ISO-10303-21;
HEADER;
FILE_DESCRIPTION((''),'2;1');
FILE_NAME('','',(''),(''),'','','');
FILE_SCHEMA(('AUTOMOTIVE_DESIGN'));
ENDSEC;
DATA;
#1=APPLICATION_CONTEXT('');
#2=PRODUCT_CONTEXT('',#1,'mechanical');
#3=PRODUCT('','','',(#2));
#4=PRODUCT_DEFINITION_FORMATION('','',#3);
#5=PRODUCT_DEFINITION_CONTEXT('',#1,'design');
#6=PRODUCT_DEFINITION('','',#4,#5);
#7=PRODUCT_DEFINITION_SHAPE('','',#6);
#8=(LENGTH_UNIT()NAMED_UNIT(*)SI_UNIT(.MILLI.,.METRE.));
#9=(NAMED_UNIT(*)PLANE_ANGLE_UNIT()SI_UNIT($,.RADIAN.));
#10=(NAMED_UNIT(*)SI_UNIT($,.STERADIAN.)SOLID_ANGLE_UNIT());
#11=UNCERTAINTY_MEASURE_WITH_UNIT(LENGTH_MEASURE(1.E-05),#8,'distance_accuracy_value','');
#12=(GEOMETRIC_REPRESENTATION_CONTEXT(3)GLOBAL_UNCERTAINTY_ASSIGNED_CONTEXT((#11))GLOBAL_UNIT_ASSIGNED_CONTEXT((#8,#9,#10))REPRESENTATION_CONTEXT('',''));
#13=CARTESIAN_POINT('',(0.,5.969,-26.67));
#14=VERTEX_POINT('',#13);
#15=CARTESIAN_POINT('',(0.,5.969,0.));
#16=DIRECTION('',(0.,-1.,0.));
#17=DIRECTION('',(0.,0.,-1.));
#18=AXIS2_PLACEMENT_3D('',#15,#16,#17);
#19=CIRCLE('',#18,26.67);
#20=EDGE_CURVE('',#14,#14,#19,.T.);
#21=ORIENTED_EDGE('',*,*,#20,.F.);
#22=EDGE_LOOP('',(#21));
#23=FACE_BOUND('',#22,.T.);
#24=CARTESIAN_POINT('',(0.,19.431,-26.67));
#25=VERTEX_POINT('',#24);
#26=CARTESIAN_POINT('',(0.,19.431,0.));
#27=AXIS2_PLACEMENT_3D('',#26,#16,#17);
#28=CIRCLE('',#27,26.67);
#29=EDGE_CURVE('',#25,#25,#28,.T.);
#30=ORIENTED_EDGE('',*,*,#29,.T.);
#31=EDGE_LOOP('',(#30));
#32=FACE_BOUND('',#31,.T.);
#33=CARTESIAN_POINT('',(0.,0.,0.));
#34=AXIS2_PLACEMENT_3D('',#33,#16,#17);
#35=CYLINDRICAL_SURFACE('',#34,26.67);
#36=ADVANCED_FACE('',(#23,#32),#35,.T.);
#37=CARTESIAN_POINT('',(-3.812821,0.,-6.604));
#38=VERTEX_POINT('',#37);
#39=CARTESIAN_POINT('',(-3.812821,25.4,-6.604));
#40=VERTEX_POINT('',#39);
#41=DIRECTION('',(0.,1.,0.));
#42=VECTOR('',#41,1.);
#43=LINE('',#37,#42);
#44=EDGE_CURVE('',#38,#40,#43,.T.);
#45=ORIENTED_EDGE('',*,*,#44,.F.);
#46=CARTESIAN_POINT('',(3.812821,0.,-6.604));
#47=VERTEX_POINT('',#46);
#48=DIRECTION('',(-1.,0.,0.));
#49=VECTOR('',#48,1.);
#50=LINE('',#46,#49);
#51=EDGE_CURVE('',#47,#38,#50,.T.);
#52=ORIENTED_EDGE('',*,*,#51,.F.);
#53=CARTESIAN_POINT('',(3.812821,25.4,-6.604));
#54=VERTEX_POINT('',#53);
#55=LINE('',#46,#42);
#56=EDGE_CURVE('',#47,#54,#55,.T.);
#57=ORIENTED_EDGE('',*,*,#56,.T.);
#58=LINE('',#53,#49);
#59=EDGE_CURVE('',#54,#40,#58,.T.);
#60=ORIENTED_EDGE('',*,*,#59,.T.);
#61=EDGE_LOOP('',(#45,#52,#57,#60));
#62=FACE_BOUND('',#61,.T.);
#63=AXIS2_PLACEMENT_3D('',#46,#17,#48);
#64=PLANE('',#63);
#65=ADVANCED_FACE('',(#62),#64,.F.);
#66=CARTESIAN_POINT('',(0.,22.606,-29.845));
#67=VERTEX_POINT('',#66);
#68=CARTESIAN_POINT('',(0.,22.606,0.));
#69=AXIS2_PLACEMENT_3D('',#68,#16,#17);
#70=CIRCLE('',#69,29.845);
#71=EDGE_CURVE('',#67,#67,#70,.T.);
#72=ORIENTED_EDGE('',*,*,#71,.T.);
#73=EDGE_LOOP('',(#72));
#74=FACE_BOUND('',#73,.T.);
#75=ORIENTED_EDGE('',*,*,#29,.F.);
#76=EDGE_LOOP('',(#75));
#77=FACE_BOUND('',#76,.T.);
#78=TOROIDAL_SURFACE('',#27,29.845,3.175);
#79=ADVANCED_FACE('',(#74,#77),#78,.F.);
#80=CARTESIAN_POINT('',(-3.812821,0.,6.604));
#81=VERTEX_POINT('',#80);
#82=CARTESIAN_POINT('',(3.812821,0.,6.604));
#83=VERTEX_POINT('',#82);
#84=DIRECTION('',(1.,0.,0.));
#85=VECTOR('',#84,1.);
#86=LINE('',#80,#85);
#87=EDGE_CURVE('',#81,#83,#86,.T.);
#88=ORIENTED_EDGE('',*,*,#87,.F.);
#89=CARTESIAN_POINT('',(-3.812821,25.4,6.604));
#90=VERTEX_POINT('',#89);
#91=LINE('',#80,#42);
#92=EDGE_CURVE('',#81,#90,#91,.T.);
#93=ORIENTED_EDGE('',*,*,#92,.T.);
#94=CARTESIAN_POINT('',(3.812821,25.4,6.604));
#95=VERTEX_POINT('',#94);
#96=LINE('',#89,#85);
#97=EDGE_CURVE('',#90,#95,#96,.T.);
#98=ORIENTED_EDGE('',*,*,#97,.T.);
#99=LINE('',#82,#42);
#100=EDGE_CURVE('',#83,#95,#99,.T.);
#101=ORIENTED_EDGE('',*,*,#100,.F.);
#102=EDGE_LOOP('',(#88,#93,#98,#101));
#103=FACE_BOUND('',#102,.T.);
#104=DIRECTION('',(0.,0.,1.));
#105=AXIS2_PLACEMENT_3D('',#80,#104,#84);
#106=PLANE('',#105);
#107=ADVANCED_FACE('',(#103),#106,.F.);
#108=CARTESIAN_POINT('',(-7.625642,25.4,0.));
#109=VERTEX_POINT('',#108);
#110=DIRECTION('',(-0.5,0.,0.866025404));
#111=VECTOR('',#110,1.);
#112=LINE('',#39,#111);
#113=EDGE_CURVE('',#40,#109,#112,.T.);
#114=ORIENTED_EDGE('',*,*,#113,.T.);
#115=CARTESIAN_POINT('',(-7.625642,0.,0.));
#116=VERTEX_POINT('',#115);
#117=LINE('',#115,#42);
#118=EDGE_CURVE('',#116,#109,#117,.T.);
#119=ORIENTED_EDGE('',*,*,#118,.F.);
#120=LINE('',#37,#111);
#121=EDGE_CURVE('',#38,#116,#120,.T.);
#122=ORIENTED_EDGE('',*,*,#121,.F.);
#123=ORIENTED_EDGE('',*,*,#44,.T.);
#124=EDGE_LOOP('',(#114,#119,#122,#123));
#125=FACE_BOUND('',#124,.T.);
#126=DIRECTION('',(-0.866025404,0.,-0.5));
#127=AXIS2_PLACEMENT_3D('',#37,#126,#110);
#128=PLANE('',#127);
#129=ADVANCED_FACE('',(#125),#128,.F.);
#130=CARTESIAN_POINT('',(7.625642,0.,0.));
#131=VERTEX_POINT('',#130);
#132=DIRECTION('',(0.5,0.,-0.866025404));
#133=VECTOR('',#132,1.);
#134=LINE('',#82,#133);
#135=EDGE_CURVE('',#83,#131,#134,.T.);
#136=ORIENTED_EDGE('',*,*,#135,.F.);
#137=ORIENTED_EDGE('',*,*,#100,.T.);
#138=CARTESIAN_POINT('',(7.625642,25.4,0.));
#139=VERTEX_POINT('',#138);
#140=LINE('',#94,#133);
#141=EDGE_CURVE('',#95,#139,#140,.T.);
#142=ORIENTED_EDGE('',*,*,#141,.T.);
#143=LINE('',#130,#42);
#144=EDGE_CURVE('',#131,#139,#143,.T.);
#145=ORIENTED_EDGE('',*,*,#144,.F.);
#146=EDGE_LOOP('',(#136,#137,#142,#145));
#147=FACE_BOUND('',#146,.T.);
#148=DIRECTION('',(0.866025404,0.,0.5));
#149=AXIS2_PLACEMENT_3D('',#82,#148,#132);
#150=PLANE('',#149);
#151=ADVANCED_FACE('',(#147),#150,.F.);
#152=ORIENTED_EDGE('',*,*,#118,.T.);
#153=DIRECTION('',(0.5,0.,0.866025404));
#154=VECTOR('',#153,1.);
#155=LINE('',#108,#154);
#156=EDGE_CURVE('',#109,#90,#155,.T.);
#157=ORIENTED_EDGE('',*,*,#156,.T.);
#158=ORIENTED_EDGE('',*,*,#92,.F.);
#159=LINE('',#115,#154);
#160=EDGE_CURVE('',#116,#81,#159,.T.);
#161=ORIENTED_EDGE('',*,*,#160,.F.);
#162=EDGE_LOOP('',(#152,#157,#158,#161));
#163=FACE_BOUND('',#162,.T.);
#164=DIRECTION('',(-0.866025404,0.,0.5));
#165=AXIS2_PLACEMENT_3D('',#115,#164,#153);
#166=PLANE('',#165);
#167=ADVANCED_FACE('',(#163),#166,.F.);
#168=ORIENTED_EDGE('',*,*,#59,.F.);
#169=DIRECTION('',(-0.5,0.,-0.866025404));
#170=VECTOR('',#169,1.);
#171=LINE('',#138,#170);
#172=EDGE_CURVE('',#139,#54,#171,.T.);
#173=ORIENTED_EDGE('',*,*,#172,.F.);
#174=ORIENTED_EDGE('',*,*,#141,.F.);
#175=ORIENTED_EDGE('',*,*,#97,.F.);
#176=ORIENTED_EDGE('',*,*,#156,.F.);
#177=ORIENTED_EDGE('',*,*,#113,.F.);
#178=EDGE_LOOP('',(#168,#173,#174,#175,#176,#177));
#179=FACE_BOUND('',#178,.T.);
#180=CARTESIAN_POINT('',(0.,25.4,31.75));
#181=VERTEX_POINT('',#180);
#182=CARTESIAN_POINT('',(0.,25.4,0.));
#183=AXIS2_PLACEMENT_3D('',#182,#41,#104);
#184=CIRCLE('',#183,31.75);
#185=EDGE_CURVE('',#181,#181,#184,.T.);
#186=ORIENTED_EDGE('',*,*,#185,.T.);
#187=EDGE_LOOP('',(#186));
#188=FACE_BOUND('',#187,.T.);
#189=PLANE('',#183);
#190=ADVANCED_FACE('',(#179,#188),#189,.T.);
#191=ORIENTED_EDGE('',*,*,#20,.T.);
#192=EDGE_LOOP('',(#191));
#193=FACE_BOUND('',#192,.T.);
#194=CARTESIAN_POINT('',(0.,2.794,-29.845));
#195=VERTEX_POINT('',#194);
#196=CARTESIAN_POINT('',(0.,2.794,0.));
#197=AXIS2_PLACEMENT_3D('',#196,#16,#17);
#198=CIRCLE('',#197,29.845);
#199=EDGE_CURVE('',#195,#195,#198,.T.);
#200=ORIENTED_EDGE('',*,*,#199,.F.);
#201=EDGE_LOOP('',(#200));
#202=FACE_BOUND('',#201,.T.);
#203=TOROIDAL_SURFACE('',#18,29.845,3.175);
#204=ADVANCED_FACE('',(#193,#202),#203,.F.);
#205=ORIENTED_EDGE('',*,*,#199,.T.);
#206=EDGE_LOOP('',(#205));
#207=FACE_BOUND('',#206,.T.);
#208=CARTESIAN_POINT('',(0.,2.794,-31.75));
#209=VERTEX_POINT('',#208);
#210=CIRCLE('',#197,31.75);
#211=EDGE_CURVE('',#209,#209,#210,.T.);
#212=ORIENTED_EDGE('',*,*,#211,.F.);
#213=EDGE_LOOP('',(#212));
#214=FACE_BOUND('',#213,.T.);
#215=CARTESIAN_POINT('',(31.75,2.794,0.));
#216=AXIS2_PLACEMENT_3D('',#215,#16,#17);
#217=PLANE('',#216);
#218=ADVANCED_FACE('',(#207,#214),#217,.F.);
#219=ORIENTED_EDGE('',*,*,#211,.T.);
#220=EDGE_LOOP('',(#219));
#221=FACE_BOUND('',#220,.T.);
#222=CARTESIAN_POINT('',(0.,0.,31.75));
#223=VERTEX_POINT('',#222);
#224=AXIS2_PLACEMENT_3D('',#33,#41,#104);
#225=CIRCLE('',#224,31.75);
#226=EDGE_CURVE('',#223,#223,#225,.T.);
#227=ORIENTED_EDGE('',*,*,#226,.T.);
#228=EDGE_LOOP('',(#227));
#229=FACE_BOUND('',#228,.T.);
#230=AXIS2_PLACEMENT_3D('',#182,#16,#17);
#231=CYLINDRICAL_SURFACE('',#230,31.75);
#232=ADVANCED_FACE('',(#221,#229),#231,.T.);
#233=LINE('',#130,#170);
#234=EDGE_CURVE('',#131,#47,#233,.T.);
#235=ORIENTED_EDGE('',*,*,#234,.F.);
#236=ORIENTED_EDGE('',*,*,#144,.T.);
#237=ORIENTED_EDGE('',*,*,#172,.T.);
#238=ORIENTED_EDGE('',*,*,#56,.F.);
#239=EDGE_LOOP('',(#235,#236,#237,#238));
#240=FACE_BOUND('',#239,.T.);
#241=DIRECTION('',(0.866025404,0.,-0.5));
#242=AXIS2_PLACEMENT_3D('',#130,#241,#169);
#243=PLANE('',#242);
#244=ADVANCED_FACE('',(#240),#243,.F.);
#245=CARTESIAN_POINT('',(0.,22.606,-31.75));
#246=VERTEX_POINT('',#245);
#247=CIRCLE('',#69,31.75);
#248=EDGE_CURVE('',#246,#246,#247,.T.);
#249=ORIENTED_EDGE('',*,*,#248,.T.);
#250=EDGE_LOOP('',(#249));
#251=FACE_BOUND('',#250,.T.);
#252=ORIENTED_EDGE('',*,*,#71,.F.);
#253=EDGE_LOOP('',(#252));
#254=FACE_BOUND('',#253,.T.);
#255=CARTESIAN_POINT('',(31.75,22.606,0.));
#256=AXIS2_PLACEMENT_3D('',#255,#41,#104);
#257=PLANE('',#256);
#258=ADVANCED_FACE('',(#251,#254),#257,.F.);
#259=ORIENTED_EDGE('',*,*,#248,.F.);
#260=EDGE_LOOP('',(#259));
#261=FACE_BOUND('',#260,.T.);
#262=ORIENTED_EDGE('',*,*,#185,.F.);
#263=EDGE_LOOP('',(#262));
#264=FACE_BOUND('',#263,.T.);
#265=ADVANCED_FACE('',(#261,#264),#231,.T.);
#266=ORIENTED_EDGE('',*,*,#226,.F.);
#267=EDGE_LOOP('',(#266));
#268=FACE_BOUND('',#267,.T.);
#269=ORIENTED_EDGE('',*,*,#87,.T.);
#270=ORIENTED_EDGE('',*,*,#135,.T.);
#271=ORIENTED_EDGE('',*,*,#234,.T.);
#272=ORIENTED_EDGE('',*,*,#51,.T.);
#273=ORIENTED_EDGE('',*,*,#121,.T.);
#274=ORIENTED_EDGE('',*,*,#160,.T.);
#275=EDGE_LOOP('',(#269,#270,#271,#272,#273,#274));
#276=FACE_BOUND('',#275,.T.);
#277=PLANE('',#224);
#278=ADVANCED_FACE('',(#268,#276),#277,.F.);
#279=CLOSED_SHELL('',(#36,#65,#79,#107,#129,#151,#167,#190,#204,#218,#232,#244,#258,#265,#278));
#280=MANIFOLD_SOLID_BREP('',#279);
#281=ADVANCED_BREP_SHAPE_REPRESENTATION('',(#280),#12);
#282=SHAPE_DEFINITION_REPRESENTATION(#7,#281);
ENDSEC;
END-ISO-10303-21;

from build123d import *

# Parameters (mm, degrees)
SKETCH1_R           = 31.75
SKETCH1_R_2         = 5.0165
BOSS_EXTRUDE1_DEPTH = 25.4
CUT_EXTRUDE1_DEPTH  = 52.587643869


with BuildPart() as part:
    # Sketch1 → Boss-Extrude1 (new body)
    with BuildSketch(Plane(origin=(0, 0, 0), x_dir=(1, 0, 0), z_dir=(0, 1, 0))):
        Circle(SKETCH1_R)
        Circle(SKETCH1_R_2, mode=Mode.SUBTRACT)
    extrude(amount=BOSS_EXTRUDE1_DEPTH)

    # Sketch6 → Cut-Extrude1 (cut, through all)
    with BuildSketch(Plane(origin=(0, 25.4, 0), x_dir=(1, 0, 0), z_dir=(0, 1, 0))):
        Polygon((3.812821178, -6.604), (7.625642355, 0), (3.812821178, 6.604), (-3.812821178, 6.604), (-7.625642355, 0), (-3.812821178, -6.604), align=None)
    extrude(amount=-CUT_EXTRUDE1_DEPTH, mode=Mode.SUBTRACT)

    # Sketch2 → Cut-Revolve1 (revolve, cut)
    with BuildSketch(Plane.XY):
        with BuildLine():
            Line((31.75, 22.606), (29.845, 22.606))
            ThreePointArc((29.845, 22.606), (27.59993597, 21.67606403), (26.67, 19.431))
            Line((26.67, 19.431), (26.67, 5.969))
            ThreePointArc((26.67, 5.969), (27.59993597, 3.72393597), (29.845, 2.794))
            Line((29.845, 2.794), (31.75, 2.794))
            Line((31.75, 2.794), (31.75, 22.606))
        make_face()
    revolve(axis=Axis((0, 0, 0), (0, 1, 0)), mode=Mode.SUBTRACT)


solid = part.part
